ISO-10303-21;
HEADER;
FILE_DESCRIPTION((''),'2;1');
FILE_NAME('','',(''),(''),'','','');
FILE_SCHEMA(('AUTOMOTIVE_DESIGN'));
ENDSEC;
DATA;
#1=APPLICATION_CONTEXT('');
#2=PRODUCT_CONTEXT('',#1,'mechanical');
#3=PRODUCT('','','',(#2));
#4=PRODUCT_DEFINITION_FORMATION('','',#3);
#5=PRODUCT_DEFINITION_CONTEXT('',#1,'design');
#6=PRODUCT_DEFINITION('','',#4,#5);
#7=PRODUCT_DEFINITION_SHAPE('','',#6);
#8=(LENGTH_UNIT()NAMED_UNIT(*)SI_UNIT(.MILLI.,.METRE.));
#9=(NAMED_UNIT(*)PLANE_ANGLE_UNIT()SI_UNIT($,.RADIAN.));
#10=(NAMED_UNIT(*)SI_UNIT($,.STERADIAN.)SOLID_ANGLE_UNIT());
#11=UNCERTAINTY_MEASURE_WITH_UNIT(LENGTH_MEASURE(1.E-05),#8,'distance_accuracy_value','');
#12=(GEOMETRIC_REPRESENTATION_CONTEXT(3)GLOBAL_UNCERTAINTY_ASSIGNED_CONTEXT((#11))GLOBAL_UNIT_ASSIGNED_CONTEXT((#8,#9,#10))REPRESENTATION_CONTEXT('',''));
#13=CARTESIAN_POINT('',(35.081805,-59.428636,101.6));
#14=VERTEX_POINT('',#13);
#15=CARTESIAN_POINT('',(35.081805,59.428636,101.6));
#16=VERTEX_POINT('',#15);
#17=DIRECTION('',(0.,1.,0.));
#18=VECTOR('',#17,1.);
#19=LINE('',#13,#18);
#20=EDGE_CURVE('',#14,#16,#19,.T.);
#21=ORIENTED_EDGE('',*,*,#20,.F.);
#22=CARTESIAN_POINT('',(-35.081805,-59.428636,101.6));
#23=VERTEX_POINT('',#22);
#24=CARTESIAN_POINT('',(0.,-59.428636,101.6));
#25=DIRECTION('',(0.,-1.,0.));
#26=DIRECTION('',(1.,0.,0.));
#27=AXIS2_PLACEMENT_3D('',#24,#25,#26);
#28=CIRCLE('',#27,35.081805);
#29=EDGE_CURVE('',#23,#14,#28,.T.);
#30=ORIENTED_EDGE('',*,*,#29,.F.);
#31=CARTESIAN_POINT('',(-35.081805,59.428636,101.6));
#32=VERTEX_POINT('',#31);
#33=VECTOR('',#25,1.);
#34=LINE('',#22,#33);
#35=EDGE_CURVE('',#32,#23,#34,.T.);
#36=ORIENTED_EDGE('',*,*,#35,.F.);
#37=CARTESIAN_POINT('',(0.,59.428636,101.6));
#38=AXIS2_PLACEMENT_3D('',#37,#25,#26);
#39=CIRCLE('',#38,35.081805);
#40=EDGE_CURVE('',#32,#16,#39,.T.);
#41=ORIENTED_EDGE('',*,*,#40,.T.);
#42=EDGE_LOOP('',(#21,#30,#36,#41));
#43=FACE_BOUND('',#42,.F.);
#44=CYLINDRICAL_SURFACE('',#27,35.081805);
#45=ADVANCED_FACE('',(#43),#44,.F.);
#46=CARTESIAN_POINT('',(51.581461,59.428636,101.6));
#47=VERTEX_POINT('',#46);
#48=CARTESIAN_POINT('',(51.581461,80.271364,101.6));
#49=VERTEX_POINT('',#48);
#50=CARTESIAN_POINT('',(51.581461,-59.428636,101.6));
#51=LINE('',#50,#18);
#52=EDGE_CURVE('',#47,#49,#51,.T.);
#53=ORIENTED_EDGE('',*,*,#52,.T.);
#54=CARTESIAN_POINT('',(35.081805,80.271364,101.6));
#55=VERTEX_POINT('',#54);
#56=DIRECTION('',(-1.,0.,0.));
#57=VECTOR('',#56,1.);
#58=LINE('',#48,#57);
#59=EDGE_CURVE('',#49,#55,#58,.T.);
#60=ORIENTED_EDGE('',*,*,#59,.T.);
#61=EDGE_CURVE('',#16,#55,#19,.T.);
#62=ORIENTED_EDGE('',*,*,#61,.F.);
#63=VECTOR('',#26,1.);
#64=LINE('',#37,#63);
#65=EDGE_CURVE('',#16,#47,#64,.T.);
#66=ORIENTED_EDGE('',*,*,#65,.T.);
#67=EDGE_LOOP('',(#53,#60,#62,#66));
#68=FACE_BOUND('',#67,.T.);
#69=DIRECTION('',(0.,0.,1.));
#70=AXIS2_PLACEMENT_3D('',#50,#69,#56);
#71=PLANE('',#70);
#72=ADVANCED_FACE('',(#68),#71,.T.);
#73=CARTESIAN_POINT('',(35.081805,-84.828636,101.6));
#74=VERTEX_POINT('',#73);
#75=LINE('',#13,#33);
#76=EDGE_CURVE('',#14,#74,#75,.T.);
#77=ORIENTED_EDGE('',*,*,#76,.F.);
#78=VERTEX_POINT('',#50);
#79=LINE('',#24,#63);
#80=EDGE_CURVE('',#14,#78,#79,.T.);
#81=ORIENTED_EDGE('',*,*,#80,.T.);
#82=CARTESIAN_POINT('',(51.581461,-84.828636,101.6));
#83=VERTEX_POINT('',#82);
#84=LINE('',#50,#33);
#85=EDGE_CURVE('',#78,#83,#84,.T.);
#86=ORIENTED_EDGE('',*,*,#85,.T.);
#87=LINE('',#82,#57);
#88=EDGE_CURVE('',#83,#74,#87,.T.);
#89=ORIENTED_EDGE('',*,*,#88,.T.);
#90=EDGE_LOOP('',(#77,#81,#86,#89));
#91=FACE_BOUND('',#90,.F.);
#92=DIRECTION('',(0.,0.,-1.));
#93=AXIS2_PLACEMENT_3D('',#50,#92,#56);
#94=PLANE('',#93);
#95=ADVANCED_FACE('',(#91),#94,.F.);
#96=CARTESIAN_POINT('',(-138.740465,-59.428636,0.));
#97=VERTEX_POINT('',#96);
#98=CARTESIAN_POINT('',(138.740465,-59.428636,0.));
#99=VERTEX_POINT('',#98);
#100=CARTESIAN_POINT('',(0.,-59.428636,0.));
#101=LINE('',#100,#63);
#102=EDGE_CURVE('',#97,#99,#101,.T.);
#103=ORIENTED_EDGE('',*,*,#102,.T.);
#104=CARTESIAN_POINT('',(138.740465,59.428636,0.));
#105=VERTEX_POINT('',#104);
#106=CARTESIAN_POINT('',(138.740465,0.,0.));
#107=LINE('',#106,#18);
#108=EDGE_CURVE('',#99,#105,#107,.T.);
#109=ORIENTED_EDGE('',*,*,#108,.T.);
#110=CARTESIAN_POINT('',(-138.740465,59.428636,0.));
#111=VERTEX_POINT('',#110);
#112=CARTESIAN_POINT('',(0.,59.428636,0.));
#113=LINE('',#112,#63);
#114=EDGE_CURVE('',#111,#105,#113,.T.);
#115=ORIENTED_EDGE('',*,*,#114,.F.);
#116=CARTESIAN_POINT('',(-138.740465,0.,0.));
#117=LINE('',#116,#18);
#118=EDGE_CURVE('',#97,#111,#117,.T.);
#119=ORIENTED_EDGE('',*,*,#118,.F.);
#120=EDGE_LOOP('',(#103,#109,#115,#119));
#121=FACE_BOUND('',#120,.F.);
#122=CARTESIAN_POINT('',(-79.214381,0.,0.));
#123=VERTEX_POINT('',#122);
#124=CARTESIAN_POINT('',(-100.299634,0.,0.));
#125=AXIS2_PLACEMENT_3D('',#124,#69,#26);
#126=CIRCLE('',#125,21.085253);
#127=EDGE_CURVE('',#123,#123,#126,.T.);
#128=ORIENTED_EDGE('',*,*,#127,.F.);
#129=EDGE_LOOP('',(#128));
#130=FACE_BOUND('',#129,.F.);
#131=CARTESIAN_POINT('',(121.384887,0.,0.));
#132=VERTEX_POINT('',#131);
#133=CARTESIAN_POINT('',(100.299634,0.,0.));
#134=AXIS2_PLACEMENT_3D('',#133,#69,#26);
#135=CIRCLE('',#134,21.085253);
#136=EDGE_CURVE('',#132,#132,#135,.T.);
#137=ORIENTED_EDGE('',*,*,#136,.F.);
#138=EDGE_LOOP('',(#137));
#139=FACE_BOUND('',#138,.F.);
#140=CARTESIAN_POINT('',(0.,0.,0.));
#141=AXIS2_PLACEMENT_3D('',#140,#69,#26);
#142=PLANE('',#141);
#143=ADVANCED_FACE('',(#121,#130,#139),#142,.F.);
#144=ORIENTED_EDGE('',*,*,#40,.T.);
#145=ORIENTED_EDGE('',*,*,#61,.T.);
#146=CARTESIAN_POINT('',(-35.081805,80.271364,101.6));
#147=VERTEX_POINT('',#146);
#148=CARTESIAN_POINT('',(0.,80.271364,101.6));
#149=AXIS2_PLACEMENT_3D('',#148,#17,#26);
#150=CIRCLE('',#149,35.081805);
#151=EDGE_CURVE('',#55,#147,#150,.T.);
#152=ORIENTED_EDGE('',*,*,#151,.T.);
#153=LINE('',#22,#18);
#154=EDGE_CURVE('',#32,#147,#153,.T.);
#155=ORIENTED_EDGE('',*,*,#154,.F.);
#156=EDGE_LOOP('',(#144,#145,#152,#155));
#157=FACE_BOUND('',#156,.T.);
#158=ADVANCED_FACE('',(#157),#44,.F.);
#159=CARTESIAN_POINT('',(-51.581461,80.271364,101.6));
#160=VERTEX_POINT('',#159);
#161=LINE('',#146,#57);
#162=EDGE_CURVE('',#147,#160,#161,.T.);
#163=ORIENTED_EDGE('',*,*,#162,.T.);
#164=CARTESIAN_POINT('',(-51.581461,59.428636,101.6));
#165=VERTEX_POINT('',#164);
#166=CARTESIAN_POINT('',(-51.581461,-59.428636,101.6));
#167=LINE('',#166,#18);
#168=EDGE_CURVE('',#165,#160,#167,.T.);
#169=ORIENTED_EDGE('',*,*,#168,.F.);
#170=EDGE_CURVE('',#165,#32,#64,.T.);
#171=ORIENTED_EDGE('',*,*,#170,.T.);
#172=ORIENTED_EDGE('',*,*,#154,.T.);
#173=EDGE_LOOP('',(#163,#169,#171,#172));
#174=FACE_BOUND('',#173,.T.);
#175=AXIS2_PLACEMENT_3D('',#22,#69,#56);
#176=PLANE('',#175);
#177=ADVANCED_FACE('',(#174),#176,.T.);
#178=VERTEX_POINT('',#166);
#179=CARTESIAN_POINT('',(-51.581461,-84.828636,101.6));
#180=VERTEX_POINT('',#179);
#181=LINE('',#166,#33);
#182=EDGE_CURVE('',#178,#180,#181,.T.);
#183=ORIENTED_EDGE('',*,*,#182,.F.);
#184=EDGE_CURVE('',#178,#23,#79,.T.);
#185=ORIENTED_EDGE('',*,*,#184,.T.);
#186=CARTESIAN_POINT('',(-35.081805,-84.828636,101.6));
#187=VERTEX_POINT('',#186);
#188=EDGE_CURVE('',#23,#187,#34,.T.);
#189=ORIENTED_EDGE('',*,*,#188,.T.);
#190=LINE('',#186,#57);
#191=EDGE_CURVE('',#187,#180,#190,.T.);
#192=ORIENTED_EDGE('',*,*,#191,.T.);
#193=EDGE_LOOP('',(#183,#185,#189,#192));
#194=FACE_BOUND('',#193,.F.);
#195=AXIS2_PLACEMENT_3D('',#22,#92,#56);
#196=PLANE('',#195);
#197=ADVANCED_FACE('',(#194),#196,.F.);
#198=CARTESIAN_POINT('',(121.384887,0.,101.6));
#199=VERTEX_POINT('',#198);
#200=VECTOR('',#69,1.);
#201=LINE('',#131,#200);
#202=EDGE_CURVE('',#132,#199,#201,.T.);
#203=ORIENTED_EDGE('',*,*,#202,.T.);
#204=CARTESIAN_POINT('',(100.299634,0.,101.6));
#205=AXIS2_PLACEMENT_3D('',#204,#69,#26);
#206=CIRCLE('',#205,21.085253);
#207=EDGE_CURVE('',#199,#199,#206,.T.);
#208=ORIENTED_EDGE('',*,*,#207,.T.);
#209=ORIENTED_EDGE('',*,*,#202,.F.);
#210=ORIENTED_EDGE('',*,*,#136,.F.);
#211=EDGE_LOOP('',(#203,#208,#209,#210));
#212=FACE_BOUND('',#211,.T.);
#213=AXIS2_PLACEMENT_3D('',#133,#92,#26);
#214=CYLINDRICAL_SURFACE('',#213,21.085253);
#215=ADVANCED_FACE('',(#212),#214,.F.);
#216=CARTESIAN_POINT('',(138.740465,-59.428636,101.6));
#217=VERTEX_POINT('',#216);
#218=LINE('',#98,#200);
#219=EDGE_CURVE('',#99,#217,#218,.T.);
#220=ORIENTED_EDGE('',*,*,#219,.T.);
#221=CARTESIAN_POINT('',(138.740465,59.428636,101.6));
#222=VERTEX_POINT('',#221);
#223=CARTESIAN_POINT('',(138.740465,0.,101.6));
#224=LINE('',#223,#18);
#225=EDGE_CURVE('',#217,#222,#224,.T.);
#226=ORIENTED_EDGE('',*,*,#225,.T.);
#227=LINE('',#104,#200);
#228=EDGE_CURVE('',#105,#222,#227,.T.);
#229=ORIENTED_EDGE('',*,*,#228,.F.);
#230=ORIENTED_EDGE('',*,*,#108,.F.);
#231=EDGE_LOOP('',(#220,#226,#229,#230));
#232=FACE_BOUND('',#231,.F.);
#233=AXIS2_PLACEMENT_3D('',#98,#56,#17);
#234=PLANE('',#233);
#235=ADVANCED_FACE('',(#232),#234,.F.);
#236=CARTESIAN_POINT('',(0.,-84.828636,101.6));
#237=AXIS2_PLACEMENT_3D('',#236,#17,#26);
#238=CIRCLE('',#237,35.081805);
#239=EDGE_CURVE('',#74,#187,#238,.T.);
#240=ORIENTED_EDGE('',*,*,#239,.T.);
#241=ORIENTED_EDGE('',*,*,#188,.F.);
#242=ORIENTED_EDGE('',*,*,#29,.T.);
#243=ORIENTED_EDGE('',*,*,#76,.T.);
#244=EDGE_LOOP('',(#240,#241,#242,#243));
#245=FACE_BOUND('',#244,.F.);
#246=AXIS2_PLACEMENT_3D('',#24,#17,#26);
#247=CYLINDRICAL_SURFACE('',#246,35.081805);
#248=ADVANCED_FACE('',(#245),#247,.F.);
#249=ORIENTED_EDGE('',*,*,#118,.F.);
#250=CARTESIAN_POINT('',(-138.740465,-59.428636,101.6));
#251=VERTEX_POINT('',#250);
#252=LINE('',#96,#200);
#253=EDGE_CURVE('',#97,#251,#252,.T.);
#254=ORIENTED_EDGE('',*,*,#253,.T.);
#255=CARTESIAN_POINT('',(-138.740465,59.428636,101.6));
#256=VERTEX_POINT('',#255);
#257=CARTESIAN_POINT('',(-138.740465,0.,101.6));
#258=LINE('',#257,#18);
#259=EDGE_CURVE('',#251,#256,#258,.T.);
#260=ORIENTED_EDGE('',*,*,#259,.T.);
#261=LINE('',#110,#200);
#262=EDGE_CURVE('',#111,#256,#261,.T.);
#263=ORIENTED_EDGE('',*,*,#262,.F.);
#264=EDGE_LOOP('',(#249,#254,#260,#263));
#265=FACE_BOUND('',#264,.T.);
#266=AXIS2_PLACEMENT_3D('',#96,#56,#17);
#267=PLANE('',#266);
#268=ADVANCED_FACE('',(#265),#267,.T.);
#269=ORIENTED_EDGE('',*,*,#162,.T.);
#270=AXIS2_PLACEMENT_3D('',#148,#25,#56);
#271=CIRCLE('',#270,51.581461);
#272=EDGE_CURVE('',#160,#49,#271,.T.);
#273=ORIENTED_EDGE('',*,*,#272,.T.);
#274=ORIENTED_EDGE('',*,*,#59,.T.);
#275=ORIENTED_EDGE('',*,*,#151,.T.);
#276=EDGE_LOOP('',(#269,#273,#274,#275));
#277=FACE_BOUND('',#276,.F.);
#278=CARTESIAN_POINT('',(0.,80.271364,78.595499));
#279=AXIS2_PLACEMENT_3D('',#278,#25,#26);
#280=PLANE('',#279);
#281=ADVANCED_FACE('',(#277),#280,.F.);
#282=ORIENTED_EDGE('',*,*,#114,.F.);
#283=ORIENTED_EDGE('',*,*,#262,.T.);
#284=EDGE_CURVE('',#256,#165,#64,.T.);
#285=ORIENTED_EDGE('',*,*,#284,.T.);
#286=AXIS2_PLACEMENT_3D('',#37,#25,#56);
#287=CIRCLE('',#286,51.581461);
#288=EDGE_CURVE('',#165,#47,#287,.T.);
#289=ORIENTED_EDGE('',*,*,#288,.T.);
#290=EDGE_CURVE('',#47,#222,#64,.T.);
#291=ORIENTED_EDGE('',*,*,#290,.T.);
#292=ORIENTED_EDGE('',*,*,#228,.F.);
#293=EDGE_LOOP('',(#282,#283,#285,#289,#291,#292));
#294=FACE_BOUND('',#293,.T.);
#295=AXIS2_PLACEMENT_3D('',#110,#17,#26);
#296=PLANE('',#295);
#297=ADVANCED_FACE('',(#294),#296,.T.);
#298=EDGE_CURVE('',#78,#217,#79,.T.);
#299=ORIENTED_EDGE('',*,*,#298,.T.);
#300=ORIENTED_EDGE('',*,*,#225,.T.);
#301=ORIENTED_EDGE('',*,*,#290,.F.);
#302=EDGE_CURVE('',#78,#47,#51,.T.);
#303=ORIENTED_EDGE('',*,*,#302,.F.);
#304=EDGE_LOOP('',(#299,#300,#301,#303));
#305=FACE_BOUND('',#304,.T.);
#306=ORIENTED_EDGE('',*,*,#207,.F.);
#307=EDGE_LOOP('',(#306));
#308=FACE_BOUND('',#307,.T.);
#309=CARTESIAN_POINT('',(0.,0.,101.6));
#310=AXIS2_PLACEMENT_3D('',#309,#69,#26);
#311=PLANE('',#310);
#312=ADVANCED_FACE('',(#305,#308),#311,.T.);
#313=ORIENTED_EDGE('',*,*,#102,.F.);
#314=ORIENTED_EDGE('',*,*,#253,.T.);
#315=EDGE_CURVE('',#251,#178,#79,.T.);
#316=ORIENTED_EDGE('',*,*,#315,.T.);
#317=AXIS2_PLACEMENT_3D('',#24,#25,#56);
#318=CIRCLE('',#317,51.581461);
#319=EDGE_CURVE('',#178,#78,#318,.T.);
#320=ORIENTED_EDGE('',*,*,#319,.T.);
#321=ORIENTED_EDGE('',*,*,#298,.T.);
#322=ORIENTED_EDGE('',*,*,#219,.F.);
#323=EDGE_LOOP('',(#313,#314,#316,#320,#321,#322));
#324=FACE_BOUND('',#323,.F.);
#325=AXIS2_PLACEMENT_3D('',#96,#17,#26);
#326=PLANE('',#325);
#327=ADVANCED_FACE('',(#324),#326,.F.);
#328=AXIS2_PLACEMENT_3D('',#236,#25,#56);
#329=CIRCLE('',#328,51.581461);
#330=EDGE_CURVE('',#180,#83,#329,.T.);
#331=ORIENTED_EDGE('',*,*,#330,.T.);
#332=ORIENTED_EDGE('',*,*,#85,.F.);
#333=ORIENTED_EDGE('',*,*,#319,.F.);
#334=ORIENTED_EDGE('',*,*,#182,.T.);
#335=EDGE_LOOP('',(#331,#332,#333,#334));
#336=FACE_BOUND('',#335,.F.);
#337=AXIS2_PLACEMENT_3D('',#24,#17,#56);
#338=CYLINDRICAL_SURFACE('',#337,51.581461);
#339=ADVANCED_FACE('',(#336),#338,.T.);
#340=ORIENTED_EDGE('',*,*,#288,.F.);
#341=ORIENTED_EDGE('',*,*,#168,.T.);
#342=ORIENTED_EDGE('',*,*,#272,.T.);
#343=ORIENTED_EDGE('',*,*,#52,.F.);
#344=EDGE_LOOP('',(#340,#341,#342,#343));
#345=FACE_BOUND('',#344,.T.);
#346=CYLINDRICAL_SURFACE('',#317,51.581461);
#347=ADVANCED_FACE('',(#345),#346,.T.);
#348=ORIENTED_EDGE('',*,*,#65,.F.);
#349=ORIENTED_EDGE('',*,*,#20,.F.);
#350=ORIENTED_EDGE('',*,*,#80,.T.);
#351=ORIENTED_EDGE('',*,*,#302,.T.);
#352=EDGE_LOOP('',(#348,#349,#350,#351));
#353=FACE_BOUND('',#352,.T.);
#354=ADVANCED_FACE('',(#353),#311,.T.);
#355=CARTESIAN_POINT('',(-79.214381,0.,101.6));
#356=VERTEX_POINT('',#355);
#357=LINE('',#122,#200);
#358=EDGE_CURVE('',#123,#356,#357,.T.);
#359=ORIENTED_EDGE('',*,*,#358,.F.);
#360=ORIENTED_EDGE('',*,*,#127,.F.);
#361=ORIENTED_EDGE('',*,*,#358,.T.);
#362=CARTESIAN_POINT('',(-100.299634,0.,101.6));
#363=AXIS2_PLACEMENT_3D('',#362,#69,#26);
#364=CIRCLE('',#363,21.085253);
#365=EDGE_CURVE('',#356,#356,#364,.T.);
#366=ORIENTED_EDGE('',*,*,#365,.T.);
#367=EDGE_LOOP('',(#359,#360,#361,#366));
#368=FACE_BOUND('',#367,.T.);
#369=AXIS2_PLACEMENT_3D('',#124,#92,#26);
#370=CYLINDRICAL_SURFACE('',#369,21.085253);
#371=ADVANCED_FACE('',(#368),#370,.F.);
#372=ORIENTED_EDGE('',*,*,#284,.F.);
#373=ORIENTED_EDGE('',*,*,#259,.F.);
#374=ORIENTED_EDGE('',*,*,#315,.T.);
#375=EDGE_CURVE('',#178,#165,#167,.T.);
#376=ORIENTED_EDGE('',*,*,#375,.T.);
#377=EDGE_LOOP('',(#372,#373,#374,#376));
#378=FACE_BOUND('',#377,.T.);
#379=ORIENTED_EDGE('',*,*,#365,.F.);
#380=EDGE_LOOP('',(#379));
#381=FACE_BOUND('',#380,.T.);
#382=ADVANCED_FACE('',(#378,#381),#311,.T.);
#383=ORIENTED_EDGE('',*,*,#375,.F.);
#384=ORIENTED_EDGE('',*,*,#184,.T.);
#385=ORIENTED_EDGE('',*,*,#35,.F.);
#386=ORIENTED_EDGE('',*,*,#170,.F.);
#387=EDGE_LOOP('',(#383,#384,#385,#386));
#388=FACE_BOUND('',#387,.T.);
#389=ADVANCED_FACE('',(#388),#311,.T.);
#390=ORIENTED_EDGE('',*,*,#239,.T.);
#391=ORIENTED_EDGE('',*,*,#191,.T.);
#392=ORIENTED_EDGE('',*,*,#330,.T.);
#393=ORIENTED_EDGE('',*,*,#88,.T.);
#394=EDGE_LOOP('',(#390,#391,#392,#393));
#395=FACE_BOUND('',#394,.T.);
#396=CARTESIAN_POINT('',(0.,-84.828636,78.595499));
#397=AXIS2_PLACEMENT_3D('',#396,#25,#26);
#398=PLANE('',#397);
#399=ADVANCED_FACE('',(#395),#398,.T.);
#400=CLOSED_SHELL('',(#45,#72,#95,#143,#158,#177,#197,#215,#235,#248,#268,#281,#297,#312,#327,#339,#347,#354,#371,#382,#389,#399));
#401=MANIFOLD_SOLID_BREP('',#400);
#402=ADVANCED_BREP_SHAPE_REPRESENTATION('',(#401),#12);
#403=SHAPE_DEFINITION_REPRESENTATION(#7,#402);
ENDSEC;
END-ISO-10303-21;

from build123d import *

# Parameters (mm, degrees)
F0_W          = 277.48093
F0_H          = 118.857272
F0_R          = 21.085253
F1_DEPTH      = 101.6
F2_R          = 35.081805
F3_DEPTH      = 118.858272
F5_DEPTH      = 25.4
F5_DEPTH_BACK = 139.7


with BuildPart() as f1:
    # F0 (on Top) → F1 (new body)
    with BuildSketch(Plane.XY):
        Rectangle(F0_W, F0_H)
        with Locations((-100.299634, 0)):
            Circle(F0_R, mode=Mode.SUBTRACT)
        with Locations((100.299634, 0)):
            Circle(F0_R, mode=Mode.SUBTRACT)
    extrude(amount=F1_DEPTH)

    # F2 (on face) → F3 (cut, through all)
    with BuildSketch(Plane.XZ.offset(59.428636)):
        with Locations((0, 101.6)):
            Circle(F2_R)
    extrude(amount=-F3_DEPTH, mode=Mode.SUBTRACT)

    # F4 (on face) → F5 (join, two sides)
    with BuildSketch(Plane.XZ.offset(59.428636)) as f5_sk:
        with BuildLine():
            ThreePointArc((35.081805, 101.6), (0, 66.518195), (-35.081805, 101.6))
            Line((-35.081805, 101.6), (-51.581461, 101.6))
            ThreePointArc((-51.581461, 101.6), (0, 50.018539), (51.581461, 101.6))
            Line((51.581461, 101.6), (35.081805, 101.6))
        make_face()
    extrude(amount=F5_DEPTH)
    extrude(f5_sk.sketch, amount=-F5_DEPTH_BACK)


solid = f1.part
